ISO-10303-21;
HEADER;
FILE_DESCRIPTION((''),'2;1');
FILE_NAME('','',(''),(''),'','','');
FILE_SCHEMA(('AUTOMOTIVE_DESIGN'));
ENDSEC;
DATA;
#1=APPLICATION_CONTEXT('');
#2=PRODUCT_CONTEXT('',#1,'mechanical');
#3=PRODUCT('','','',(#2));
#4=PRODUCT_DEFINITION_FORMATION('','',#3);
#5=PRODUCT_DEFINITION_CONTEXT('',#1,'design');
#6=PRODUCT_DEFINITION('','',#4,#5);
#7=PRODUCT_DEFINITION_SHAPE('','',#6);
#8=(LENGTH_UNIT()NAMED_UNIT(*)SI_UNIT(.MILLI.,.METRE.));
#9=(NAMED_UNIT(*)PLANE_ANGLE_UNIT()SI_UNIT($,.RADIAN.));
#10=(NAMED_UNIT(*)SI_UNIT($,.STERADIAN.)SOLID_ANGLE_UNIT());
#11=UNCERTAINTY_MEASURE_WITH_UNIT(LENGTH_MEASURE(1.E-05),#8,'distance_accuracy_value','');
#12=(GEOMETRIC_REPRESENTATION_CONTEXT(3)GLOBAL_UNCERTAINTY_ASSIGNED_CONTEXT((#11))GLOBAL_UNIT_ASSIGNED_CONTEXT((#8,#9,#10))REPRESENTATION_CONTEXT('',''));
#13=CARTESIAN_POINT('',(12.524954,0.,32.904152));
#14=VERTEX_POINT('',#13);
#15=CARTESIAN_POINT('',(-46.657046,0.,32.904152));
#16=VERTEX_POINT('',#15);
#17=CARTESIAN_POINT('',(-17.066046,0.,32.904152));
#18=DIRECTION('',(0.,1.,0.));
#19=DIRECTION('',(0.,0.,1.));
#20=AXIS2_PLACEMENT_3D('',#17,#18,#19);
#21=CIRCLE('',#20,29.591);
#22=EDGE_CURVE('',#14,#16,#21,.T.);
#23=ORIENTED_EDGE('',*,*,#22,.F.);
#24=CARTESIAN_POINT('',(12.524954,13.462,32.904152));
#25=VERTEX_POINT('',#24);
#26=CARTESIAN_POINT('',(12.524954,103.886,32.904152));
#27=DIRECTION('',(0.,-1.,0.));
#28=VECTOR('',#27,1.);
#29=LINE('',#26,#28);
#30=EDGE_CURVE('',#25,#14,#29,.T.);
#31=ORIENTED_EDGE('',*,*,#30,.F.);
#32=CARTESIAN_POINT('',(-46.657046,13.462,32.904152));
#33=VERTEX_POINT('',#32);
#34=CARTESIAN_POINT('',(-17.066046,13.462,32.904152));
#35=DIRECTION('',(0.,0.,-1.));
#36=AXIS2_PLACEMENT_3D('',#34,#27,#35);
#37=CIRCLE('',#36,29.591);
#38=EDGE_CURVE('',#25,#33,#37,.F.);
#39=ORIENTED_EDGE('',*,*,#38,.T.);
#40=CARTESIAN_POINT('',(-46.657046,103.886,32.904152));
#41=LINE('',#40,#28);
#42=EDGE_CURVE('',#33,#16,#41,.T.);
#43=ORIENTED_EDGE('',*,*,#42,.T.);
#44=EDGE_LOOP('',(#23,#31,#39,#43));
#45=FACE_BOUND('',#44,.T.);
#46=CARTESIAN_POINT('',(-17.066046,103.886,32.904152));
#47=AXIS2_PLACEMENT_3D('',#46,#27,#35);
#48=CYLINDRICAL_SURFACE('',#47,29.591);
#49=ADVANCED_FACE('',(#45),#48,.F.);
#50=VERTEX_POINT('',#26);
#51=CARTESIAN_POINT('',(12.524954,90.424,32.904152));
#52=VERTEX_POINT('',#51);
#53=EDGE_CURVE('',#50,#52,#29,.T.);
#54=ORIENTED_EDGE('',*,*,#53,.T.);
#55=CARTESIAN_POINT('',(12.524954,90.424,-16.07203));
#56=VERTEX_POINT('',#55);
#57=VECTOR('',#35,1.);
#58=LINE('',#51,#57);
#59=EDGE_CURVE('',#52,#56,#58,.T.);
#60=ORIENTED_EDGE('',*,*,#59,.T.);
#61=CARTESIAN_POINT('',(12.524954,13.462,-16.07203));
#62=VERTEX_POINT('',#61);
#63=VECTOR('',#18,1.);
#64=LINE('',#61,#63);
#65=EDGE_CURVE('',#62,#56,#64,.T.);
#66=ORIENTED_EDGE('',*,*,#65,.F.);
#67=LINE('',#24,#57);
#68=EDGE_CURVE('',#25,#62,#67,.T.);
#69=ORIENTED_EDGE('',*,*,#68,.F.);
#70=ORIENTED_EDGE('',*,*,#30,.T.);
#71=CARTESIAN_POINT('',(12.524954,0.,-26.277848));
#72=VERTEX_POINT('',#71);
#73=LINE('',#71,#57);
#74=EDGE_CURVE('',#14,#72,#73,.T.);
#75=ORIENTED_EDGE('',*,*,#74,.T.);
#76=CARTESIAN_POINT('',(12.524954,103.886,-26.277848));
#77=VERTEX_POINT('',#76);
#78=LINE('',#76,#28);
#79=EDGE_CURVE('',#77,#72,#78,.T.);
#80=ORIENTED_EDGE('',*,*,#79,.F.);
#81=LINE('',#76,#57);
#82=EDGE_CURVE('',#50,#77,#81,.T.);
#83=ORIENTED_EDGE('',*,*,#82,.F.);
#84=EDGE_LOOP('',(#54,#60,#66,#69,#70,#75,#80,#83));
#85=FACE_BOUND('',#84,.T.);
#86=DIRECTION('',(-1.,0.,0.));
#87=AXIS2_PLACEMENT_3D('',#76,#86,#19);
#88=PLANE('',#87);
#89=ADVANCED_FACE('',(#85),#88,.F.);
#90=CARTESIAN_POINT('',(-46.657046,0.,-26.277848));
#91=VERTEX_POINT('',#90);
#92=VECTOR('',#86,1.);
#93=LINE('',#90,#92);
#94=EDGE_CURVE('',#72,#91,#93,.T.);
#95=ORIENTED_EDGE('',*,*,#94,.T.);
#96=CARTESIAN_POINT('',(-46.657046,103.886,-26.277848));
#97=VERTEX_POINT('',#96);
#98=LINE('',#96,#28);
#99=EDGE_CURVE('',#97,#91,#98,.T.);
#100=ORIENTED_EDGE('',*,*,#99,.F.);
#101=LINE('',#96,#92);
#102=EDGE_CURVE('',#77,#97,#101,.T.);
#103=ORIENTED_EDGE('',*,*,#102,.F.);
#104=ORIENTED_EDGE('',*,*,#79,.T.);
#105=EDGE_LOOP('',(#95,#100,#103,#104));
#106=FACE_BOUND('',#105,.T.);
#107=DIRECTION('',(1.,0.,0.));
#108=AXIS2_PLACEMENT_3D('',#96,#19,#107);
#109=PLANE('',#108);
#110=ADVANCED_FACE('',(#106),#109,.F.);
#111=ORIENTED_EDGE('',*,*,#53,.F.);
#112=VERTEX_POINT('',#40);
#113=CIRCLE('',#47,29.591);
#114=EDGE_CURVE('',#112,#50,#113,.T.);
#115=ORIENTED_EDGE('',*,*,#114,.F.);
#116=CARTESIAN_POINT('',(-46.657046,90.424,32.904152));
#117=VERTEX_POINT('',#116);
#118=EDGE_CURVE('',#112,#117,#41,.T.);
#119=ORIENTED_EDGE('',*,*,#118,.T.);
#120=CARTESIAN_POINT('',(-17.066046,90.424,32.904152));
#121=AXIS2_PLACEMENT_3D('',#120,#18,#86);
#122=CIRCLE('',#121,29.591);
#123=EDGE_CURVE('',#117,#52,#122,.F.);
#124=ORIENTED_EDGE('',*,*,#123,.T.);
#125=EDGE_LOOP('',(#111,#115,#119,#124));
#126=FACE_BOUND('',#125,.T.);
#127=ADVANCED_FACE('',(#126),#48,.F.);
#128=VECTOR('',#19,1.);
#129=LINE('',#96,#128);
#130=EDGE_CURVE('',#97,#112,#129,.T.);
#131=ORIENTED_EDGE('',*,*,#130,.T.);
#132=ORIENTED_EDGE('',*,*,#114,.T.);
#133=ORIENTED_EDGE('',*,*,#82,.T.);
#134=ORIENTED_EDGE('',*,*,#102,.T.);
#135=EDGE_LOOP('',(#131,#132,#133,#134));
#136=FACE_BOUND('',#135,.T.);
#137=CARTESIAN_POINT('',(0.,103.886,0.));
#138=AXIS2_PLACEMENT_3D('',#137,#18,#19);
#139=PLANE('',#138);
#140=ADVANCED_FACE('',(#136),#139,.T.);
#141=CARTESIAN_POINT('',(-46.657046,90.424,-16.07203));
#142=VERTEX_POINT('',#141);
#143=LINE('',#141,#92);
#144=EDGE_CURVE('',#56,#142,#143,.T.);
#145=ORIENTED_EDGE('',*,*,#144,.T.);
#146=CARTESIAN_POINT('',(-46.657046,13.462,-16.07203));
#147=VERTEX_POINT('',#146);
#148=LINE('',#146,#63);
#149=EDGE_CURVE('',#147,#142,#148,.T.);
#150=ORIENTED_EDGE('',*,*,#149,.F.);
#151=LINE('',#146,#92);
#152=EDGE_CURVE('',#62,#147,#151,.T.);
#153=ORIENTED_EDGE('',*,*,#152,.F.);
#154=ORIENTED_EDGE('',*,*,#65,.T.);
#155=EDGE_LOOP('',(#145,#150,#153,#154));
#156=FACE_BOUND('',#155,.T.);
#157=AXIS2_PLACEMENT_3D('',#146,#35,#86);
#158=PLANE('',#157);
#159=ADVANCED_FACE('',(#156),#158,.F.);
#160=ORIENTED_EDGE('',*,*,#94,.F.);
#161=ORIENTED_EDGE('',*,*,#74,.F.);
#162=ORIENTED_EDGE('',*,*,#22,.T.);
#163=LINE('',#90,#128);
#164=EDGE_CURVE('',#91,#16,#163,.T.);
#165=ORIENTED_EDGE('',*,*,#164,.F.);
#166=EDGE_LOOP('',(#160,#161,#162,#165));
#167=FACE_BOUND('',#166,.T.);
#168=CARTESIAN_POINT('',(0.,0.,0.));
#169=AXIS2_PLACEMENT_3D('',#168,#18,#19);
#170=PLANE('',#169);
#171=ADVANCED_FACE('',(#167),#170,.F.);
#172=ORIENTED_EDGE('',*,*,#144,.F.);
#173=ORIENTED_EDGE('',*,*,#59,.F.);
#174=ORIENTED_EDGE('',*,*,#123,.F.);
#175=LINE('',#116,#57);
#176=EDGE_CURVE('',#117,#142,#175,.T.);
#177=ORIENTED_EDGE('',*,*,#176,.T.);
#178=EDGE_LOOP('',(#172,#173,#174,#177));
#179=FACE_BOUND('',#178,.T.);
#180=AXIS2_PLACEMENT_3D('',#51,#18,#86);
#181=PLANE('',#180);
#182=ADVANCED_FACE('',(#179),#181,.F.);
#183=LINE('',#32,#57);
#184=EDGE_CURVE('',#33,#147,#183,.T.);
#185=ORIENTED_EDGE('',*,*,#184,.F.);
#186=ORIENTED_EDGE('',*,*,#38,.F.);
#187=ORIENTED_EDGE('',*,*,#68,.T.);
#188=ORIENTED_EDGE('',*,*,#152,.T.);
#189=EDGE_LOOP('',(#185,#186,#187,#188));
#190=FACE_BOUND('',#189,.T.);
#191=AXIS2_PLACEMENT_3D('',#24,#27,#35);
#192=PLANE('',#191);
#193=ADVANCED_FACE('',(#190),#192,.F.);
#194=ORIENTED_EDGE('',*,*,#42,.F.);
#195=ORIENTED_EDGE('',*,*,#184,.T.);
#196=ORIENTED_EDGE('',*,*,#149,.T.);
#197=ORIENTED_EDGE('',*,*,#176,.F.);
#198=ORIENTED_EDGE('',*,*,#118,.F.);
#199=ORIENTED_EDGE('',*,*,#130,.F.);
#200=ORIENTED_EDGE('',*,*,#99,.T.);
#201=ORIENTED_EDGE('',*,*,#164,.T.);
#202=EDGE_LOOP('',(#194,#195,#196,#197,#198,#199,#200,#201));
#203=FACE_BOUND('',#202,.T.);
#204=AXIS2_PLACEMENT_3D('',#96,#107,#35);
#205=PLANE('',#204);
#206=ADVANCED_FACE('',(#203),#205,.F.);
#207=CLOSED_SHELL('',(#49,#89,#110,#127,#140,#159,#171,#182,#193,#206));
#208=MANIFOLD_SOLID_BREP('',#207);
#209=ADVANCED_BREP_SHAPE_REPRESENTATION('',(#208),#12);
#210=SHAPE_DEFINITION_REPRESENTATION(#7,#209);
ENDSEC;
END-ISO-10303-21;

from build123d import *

# Parameters (mm, degrees)
SKETCH1_W           = 59.182
SKETCH1_H           = 59.182
BOSS_EXTRUDE2_DEPTH = 103.886
SKETCH4_R           = 29.591
CUT_EXTRUDE1_DEPTH  = 119.540559012
SKETCH6_W           = 59.182
SKETCH6_H           = 76.962
CUT_EXTRUDE2_DEPTH  = 129.342082086
SKETCH8_W           = 59.182
SKETCH8_H           = 10.20581791
BOSS_EXTRUDE3_DEPTH = 76.962


with BuildPart() as part:
    # Sketch1 → Boss-Extrude2 (new body)
    with BuildSketch(Plane(origin=(0, 0, 0), x_dir=(1, 0, 0), z_dir=(0, 1, 0))):
        with Locations((-17.066045707, -3.313152031)):
            Rectangle(SKETCH1_W, SKETCH1_H)
    extrude(amount=BOSS_EXTRUDE2_DEPTH)

    # Sketch4 → Cut-Extrude1 (cut, through all)
    with BuildSketch(Plane.XZ):
        with Locations((-17.066045707, 32.904152031)):
            Circle(SKETCH4_R)
    extrude(amount=-CUT_EXTRUDE1_DEPTH, mode=Mode.SUBTRACT)

    # Sketch6 → Cut-Extrude2 (cut, through all)
    with BuildSketch(Plane(origin=(0, 0, -26.277847969), x_dir=(-1, 0, 0), z_dir=(0, 0, -1))):
        with Locations((17.066045707, 51.943)):
            Rectangle(SKETCH6_W, SKETCH6_H)
    extrude(amount=-CUT_EXTRUDE2_DEPTH, mode=Mode.SUBTRACT)


with BuildPart() as cut_extrude2_piece_1:
    # of the separate pieces the step leaves, piece 1, a body of its own (cut_extrude2_pieces)
    add(part.part.solids().sort_by_distance((12.524954293, 90.424, -26.277847969))[0])



with BuildPart() as cut_extrude2_piece_2:
    # of the separate pieces the step leaves, piece 2, a body of its own (cut_extrude2_pieces)
    add(part.part.solids().sort_by_distance((-46.657045707, 0, -26.277847969))[0])


with BuildPart() as cut_extrude2_piece_1_1:
    add(cut_extrude2_piece_1.part)

    add(cut_extrude2_piece_2.part)  # Boss-Extrude3 merges Cut-Extrude2 piece 2
    # Sketch8 → Boss-Extrude3 (add)
    with BuildSketch(Plane.XZ.offset(-90.424)):
        with Locations((-17.066045707, -21.174939014)):
            Rectangle(SKETCH8_W, SKETCH8_H)
    extrude(amount=BOSS_EXTRUDE3_DEPTH)


solid = cut_extrude2_piece_1_1.part
